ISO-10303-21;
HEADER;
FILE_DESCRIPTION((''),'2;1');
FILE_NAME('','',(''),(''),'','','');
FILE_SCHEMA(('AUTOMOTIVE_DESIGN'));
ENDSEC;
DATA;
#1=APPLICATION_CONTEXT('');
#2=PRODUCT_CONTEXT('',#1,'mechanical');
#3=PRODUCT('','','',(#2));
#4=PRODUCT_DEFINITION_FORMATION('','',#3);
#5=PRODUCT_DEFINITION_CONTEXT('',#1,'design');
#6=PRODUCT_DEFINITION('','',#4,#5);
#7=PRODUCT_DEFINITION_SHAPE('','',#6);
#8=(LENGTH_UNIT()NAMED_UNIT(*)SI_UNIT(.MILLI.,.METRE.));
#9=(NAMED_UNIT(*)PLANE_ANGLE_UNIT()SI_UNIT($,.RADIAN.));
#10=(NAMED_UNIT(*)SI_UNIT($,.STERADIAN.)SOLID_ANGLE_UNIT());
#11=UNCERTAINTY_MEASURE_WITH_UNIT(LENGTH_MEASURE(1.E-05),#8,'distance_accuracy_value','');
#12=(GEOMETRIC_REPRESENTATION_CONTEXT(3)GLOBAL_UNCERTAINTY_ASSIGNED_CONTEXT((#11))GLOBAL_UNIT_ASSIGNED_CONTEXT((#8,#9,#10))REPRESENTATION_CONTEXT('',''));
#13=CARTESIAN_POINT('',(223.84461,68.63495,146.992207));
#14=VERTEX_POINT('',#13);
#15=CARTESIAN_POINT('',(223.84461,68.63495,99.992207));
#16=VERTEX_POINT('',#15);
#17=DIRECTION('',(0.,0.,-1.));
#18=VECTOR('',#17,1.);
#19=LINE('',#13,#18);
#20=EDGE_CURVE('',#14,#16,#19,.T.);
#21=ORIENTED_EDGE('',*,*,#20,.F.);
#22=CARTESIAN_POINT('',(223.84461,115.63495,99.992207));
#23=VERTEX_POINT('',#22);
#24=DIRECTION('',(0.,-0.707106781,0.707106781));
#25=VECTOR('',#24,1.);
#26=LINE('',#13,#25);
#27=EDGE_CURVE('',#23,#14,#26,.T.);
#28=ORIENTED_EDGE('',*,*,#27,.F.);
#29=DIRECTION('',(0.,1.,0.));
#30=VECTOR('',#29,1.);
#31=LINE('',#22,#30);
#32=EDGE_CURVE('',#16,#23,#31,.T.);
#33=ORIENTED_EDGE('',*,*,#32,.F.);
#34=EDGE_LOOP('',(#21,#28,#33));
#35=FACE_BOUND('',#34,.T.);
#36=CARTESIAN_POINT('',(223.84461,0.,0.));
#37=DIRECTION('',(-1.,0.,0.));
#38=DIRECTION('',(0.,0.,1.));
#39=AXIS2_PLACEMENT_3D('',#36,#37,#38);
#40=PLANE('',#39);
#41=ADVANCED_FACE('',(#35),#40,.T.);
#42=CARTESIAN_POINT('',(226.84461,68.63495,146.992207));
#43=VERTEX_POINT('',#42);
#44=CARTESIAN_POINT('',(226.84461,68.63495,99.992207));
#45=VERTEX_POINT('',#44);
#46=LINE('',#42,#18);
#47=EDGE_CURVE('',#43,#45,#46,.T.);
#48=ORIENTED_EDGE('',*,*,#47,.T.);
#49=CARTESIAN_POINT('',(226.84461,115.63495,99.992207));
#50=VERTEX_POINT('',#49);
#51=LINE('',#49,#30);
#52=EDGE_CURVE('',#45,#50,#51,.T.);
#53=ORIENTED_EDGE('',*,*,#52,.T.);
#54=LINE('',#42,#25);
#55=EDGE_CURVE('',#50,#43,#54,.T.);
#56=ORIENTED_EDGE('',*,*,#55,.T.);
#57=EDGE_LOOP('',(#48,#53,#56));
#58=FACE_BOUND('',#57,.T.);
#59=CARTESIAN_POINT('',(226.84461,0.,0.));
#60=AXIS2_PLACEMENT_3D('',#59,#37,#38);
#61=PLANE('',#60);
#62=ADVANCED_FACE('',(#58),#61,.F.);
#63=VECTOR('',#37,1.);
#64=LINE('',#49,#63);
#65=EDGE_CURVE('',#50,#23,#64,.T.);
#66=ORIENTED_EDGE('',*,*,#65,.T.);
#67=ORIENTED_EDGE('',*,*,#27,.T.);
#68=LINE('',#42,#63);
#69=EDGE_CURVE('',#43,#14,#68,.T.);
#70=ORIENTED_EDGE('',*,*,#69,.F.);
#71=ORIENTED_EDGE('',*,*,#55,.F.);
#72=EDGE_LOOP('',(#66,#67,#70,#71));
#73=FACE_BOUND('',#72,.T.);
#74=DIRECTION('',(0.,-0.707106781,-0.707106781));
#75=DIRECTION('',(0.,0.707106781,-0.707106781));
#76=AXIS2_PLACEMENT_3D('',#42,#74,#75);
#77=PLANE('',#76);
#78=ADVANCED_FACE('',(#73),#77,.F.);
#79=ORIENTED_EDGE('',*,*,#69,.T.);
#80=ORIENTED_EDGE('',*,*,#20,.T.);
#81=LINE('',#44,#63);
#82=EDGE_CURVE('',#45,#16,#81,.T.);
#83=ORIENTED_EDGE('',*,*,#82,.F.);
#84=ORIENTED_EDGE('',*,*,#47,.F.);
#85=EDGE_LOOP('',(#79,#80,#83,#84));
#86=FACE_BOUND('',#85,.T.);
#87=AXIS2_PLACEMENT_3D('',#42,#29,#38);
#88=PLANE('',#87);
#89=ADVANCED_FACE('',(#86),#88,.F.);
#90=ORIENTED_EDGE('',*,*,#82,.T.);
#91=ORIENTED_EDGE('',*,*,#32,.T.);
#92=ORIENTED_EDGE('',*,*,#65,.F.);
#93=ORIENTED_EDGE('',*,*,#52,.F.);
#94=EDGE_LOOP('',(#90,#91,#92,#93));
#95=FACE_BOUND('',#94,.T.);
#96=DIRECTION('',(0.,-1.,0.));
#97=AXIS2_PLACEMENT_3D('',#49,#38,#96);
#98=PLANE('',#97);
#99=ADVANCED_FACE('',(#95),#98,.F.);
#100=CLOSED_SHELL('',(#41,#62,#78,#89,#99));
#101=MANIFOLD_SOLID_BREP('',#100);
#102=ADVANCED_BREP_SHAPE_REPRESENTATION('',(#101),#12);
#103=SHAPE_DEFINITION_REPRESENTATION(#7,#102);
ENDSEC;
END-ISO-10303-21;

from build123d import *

# Parameters (mm, degrees)
BOSS_EXTRUDE1_DEPTH = 3


with BuildPart() as part:
    # Sketch1 → Boss-Extrude1 (new body)
    with BuildSketch(Plane(origin=(223.844609768, 0, 0), x_dir=(0, 0, -1), z_dir=(1, 0, 0))):
        Polygon((-99.99220689, 115.634949874), (-99.99220689, 68.634949874), (-146.99220689, 68.634949874), align=None)
    extrude(amount=BOSS_EXTRUDE1_DEPTH)


solid = part.part
